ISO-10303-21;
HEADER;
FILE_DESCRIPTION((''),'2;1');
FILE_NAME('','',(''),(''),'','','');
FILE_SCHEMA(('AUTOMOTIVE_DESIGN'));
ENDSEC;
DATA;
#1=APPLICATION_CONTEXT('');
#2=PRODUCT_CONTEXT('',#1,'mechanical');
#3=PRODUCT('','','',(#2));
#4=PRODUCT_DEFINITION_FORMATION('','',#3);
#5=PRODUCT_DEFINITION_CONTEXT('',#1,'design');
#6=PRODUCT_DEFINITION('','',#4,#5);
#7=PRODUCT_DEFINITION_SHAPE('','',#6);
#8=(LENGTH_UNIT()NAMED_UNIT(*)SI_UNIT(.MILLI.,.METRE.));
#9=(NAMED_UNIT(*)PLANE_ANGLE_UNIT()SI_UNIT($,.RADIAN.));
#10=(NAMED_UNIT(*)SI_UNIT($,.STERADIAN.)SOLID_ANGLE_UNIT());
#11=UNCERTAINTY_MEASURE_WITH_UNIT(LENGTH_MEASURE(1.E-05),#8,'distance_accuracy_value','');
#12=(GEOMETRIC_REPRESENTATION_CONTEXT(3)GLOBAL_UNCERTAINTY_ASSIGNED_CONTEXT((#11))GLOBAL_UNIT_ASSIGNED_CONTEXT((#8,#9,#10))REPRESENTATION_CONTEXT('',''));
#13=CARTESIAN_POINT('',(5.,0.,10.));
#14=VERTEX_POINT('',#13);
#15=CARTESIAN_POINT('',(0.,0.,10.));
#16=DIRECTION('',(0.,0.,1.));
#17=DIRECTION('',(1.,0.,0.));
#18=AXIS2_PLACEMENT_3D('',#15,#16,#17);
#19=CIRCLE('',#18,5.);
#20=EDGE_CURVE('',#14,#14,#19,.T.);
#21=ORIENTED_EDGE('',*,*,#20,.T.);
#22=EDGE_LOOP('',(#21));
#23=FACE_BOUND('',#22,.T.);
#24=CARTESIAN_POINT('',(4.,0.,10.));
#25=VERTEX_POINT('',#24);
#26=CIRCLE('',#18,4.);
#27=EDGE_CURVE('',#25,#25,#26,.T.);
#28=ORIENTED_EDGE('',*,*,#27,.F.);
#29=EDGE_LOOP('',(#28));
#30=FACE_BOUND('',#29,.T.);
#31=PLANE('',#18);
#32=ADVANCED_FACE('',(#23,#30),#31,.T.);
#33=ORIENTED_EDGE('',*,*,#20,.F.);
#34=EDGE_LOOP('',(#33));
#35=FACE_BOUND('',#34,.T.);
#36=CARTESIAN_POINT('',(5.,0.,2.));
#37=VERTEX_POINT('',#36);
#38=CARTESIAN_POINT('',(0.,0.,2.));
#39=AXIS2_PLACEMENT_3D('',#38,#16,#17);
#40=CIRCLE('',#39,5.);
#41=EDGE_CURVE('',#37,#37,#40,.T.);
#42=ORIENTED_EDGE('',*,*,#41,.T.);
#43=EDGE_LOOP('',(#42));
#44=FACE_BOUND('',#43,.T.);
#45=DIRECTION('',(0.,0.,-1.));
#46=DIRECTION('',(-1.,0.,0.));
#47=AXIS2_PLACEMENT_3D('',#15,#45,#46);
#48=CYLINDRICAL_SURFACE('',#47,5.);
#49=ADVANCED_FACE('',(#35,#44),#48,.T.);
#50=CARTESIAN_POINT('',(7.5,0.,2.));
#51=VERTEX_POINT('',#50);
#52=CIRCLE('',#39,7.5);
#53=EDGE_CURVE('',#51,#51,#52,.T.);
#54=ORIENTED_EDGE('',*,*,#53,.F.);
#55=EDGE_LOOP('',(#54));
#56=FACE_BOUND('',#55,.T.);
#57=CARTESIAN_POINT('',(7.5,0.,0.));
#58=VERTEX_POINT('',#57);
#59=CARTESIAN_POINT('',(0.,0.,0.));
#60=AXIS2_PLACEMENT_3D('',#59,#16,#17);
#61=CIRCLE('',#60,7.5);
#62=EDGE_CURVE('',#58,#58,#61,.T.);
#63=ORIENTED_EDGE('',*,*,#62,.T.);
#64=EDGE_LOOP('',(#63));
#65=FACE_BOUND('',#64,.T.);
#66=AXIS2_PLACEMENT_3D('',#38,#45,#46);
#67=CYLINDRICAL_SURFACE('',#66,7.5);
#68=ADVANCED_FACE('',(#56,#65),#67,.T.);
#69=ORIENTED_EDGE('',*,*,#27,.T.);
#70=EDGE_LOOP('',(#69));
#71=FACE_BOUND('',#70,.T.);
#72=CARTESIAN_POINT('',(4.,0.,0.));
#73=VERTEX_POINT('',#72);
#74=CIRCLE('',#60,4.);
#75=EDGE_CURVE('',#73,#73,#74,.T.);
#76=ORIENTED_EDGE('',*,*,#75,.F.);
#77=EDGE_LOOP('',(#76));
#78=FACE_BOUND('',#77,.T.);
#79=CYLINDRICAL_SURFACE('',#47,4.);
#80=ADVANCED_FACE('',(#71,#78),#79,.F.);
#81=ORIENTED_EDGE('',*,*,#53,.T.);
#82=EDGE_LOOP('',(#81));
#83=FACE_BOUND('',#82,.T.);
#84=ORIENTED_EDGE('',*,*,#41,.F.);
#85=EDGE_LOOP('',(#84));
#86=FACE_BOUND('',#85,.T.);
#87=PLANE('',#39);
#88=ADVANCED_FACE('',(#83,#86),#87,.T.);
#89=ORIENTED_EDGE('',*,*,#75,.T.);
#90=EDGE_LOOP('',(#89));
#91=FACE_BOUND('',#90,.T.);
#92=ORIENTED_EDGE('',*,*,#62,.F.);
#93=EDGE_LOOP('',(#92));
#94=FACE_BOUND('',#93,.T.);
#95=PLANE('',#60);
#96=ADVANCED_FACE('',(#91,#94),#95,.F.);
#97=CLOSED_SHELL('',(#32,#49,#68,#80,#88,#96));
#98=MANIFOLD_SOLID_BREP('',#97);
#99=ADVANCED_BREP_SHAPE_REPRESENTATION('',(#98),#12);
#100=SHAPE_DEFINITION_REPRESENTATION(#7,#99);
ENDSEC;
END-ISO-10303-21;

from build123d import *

# Parameters (mm, degrees)
SKETCH1_R           = 5
SKETCH1_R_2         = 4
BOSS_EXTRUDE1_DEPTH = 10
SKETCH1_3_R         = 7.5
SKETCH1_3_R_2       = 5
BOSS_EXTRUDE2_DEPTH = 2


with BuildPart() as part:
    # Sketch1 → Boss-Extrude1 (new body)
    with BuildSketch(Plane.XY):
        Circle(SKETCH1_R)
        Circle(SKETCH1_R_2, mode=Mode.SUBTRACT)
    extrude(amount=BOSS_EXTRUDE1_DEPTH)

    # Sketch1<3> → Boss-Extrude2 (add)
    with BuildSketch(Plane.XY):
        Circle(SKETCH1_3_R)
        Circle(SKETCH1_3_R_2, mode=Mode.SUBTRACT)
    extrude(amount=BOSS_EXTRUDE2_DEPTH)


solid = part.part
